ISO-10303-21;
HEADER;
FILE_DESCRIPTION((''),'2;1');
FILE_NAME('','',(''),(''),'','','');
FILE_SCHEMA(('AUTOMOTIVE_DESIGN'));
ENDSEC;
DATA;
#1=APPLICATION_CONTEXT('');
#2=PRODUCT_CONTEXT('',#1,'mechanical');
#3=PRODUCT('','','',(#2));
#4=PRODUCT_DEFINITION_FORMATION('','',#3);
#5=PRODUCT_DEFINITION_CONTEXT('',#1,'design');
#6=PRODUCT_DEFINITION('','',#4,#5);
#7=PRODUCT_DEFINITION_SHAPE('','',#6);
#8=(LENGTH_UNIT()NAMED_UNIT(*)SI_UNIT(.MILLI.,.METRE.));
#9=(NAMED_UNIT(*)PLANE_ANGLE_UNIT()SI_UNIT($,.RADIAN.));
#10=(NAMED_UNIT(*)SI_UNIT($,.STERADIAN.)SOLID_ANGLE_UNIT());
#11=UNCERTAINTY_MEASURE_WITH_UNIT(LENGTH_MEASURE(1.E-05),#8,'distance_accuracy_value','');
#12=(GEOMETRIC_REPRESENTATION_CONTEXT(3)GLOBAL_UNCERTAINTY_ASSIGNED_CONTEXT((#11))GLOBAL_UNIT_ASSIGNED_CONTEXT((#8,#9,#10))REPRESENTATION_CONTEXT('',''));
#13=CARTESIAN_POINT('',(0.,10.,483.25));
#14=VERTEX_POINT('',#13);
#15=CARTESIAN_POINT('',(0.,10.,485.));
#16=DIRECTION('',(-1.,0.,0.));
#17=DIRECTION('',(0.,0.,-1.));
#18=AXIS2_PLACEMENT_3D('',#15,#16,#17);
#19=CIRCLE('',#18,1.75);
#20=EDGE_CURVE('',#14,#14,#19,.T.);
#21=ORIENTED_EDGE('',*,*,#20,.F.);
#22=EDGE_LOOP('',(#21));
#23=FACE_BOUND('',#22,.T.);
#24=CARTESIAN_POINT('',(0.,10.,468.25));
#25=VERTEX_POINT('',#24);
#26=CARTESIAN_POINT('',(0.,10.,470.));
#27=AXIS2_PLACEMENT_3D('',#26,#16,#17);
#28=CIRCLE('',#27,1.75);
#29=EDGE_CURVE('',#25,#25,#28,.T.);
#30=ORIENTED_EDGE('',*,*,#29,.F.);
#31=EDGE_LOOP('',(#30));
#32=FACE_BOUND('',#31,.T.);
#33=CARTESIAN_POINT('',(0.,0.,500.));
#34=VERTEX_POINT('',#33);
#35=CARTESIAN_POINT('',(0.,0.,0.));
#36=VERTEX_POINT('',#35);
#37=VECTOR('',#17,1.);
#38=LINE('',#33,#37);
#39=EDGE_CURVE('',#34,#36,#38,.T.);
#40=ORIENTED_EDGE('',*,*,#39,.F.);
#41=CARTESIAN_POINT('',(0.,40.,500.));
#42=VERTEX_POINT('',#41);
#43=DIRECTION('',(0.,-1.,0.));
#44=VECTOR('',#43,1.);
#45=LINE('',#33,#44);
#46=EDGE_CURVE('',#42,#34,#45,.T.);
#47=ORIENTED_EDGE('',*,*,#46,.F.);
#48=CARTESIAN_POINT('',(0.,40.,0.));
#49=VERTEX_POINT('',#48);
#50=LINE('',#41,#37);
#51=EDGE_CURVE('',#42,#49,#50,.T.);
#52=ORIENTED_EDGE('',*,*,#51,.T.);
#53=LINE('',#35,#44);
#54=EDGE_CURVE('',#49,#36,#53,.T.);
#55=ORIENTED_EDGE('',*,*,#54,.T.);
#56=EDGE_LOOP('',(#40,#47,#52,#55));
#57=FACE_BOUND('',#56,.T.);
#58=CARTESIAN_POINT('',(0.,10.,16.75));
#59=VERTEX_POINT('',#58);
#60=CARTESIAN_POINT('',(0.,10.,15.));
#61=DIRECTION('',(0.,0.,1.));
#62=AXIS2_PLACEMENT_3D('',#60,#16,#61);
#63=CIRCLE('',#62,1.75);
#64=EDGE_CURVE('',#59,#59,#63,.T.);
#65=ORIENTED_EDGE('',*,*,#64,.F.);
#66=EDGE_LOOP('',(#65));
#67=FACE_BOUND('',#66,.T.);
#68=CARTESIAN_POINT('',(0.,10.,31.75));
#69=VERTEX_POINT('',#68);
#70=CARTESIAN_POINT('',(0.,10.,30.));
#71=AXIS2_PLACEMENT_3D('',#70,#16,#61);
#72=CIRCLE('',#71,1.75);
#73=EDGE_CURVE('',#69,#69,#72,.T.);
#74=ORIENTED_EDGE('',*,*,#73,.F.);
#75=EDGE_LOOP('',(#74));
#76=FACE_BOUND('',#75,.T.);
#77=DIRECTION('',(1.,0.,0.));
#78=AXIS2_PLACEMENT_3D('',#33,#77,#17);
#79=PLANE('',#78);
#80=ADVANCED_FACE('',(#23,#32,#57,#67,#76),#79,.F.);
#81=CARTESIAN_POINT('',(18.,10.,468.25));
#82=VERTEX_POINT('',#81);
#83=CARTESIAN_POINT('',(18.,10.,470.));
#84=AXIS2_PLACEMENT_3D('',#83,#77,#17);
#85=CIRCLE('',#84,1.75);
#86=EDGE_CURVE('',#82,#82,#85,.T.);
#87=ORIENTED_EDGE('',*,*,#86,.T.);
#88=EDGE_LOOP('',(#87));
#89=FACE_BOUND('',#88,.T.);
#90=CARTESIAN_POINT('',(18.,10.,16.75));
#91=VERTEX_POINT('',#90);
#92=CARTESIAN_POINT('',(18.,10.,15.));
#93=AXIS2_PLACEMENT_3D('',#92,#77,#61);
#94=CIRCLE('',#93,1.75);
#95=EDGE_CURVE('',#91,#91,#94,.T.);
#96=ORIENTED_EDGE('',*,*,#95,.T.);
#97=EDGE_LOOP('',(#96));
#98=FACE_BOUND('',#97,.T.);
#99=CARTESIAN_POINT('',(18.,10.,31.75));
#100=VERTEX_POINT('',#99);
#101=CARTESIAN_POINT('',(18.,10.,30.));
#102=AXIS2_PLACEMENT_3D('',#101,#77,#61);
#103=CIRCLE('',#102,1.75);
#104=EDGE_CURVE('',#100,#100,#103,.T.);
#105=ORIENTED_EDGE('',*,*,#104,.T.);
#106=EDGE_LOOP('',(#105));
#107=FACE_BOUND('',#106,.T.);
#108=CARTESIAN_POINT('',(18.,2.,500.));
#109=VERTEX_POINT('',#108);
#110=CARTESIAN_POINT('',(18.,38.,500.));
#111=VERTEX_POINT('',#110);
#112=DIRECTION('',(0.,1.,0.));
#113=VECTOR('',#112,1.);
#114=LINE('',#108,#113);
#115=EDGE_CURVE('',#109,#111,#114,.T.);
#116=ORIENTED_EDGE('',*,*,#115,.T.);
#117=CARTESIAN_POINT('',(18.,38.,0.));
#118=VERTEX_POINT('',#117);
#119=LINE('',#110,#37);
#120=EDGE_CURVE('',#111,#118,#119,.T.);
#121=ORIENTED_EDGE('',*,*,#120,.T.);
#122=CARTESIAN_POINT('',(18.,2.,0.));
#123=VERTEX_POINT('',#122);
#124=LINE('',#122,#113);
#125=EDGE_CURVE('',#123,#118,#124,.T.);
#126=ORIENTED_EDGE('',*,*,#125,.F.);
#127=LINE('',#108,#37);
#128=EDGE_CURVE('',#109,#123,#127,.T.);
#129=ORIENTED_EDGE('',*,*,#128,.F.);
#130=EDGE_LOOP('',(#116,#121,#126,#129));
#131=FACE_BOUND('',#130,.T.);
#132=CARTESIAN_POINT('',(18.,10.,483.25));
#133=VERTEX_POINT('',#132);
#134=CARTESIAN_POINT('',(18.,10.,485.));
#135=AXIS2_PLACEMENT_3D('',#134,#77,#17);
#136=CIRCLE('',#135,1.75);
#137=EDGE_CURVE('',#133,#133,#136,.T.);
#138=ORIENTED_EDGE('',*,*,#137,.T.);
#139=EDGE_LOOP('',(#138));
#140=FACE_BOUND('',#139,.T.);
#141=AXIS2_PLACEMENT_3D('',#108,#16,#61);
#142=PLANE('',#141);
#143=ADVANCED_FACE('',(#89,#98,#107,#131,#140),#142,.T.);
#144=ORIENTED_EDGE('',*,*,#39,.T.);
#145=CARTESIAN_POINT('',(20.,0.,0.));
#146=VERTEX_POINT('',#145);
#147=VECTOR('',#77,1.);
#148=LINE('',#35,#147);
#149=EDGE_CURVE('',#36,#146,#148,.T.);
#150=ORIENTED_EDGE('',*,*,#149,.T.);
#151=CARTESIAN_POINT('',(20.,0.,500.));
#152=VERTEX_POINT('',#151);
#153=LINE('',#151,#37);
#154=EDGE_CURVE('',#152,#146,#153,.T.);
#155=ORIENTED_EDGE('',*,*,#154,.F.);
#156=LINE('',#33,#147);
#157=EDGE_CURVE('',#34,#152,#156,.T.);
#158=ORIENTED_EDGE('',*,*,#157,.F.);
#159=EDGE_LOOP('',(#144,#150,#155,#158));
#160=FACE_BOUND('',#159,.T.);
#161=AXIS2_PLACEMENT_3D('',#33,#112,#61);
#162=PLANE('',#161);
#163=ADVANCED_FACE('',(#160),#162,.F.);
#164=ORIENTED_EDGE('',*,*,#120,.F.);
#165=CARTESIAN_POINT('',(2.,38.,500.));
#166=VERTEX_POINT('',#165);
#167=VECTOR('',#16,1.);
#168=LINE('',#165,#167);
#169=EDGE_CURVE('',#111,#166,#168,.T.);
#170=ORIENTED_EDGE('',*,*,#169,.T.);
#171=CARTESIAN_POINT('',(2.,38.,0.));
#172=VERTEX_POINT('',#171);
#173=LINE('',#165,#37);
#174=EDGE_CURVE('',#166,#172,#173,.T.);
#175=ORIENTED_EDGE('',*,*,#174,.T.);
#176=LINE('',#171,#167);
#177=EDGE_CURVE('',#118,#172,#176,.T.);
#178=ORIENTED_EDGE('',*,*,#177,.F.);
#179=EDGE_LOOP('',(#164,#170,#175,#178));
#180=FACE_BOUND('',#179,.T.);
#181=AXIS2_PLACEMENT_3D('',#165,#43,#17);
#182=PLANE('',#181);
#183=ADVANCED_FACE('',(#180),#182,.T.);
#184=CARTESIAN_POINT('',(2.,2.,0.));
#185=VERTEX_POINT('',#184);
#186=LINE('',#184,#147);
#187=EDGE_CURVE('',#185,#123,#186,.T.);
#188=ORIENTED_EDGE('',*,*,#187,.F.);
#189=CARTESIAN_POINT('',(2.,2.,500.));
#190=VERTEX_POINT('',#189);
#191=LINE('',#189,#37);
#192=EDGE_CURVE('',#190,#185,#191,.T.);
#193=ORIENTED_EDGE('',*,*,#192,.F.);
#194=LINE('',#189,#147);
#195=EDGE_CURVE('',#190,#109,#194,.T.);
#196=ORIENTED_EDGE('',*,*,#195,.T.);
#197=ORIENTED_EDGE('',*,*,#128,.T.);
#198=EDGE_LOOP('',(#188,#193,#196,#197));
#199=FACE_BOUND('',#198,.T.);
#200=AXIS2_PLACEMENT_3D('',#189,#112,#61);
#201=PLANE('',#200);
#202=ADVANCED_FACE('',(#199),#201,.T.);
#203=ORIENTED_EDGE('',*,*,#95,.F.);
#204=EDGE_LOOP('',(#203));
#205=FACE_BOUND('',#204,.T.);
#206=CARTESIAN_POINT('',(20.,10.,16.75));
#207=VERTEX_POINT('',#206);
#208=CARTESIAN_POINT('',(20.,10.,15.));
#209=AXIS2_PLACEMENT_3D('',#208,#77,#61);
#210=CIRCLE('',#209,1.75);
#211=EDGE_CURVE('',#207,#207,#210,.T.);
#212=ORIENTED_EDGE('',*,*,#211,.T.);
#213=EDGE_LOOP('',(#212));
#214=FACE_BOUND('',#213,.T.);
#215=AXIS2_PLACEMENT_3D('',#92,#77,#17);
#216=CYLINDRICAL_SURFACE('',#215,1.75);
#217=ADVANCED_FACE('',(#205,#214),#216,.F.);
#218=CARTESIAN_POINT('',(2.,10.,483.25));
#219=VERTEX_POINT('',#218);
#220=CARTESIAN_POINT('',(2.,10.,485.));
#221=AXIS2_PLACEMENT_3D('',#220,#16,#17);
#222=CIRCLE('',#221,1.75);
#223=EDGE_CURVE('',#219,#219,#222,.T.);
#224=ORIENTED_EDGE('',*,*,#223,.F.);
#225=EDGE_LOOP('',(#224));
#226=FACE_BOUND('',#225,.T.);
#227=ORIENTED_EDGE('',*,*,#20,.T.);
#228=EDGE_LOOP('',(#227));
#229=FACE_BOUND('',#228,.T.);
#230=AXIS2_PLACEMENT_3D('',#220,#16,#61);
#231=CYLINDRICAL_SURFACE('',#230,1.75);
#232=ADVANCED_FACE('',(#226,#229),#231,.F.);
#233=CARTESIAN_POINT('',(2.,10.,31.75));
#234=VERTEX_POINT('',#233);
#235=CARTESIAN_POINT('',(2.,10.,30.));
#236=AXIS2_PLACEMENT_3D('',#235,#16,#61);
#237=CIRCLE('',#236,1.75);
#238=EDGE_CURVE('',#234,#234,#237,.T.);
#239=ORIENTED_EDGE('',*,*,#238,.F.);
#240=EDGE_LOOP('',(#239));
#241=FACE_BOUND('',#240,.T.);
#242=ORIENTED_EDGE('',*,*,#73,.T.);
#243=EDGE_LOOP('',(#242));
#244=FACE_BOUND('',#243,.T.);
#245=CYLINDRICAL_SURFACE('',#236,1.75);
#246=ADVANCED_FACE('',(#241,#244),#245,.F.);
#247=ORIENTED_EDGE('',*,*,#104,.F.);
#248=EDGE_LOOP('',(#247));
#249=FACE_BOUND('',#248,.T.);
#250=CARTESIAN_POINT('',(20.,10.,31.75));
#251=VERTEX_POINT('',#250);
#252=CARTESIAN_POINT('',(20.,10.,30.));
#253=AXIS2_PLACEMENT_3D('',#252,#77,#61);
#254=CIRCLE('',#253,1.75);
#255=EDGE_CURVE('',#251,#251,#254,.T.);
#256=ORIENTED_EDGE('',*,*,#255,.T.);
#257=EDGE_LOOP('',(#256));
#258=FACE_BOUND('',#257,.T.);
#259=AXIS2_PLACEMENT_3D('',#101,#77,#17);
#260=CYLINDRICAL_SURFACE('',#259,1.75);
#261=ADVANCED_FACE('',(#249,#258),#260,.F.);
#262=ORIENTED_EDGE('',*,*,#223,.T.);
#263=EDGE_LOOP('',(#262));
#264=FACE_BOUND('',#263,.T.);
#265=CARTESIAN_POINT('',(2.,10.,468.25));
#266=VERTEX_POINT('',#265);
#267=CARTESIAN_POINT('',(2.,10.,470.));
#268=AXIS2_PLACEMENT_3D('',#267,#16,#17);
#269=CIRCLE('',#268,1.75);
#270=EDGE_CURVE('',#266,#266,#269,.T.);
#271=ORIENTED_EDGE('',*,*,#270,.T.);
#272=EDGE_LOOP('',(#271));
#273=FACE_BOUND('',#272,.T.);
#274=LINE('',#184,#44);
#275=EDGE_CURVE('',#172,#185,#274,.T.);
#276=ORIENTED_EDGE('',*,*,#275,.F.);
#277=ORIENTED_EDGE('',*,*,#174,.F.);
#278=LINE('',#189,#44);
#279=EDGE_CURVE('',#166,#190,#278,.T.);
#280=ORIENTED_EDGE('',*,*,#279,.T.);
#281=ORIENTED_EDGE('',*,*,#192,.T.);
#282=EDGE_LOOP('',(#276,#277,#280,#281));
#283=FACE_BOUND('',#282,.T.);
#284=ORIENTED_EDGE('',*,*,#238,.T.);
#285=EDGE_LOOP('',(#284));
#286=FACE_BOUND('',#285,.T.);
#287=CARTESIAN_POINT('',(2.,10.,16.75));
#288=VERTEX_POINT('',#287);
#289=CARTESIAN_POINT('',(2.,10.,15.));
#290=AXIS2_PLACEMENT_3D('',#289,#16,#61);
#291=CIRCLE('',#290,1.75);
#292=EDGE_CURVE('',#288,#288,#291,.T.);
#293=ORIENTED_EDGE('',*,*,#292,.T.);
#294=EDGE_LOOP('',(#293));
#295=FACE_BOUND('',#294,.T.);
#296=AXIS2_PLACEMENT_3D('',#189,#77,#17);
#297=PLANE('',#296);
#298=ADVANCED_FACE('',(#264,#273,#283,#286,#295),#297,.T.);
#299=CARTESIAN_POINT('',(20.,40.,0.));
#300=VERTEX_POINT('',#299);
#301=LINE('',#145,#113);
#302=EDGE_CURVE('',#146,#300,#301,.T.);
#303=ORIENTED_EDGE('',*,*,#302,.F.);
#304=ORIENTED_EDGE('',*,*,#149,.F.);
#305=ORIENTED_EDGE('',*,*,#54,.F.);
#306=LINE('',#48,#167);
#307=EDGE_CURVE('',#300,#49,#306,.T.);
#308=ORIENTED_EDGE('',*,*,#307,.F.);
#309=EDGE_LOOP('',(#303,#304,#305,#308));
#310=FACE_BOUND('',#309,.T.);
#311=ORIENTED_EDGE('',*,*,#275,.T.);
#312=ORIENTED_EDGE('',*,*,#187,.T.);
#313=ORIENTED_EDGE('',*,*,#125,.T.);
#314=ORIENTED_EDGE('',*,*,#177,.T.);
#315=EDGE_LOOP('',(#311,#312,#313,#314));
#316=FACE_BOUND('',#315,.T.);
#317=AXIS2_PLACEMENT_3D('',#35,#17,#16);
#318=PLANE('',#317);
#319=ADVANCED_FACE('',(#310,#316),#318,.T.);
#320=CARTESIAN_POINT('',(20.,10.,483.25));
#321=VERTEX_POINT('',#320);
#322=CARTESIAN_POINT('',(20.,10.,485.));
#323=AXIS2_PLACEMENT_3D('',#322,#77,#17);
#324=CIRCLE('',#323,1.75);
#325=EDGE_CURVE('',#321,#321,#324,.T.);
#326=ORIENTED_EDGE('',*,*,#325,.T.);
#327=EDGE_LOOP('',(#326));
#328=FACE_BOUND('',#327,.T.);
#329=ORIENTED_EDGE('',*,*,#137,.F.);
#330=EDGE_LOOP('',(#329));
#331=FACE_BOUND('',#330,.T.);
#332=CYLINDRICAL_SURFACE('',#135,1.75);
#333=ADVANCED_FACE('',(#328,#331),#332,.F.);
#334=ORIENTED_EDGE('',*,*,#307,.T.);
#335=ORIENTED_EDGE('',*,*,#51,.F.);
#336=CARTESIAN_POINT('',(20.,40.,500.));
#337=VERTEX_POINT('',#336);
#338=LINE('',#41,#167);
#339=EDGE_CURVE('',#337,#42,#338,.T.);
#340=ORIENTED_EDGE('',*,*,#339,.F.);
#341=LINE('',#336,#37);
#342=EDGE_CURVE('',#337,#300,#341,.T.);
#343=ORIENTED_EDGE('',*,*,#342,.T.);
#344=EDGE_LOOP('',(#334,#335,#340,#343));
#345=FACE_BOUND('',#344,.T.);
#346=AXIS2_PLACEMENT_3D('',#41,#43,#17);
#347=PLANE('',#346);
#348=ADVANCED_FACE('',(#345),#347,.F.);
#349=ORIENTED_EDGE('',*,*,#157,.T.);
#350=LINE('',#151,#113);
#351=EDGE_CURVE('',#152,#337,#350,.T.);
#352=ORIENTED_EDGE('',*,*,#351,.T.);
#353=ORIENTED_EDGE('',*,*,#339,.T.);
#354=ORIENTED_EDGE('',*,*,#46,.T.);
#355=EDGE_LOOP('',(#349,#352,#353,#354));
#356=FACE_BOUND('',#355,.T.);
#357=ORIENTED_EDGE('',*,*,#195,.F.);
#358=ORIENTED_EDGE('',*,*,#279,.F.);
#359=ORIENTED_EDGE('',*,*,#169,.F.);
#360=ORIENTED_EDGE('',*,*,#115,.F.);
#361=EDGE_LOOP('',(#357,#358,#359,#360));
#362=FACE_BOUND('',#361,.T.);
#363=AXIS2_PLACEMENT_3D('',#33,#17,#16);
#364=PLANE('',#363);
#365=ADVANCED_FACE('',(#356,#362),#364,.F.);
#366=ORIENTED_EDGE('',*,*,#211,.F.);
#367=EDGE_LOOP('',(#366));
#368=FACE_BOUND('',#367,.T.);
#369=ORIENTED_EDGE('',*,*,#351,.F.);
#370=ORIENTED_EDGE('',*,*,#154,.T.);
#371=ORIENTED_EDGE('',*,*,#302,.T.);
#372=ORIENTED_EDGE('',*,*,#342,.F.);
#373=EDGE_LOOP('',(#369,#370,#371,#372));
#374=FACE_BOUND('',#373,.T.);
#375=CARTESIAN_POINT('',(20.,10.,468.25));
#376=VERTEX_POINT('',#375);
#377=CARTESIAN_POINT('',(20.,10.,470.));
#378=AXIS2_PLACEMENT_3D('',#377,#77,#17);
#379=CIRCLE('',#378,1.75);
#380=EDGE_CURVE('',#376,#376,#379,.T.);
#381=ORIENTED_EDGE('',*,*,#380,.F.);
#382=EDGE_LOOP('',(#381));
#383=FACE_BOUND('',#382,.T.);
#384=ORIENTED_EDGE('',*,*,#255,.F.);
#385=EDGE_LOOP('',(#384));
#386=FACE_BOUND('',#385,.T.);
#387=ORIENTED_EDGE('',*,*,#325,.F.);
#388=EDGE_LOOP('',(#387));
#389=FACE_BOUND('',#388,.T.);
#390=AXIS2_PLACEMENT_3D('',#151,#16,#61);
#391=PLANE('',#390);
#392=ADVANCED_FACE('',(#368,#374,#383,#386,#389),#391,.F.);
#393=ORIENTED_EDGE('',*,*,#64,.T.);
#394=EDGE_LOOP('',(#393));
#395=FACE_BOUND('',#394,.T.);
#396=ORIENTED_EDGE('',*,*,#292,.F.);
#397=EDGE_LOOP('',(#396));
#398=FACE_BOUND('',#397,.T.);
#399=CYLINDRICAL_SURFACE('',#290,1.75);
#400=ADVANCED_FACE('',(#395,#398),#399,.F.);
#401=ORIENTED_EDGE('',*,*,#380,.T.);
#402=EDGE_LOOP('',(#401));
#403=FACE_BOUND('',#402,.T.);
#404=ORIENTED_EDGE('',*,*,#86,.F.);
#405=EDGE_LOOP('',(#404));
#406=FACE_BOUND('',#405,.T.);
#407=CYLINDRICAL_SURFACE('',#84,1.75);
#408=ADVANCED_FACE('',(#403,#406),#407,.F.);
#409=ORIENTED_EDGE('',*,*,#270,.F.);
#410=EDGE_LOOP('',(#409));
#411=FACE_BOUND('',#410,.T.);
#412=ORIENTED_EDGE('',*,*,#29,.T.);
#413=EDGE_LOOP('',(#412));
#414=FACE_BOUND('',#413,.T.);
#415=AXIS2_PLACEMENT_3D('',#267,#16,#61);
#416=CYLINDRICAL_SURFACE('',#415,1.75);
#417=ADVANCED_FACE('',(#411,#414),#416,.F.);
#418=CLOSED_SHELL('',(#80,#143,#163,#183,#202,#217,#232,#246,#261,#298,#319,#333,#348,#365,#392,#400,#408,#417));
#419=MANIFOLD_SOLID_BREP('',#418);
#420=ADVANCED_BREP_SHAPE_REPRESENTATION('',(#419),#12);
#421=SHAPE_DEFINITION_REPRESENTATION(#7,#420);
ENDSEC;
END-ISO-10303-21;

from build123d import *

# Parameters (mm, degrees)
ESBO_O1_W                = 20
ESBO_O1_H                = 40
ESBO_O1_W_2              = 16
ESBO_O1_H_2              = 36
RESSALTO_EXTRUS_O1_DEPTH = 500
ESBO_O2_R                = 1.75
CORTE_EXTRUS_O1_DEPTH    = 2
CORTE_EXTRUS_O2_START    = -2
ESBO_O5_R                = 1.75
CORTE_EXTRUS_O2_DEPTH    = 2


with BuildPart() as part:
    # Esboço1 → Ressalto-extrusão1 (new body)
    with BuildSketch(Plane.XY):
        with Locations((10, 20)):
            Rectangle(ESBO_O1_W, ESBO_O1_H)
        with Locations((10, 20)):
            Rectangle(ESBO_O1_W_2, ESBO_O1_H_2, mode=Mode.SUBTRACT)
    extrude(amount=RESSALTO_EXTRUS_O1_DEPTH)

    # Esboço2 → Corte-extrusão1 (cut)
    with BuildSketch(Plane.ZY):
        with Locations((15, 10)):
            Circle(ESBO_O2_R)
        with Locations((30, 10)):
            Circle(ESBO_O2_R)
        with Locations(Location((485, 10, 0), (0, 0, 180))):
            Circle(ESBO_O2_R)
        with Locations(Location((470, 10, 0), (0, 0, 180))):
            Circle(ESBO_O2_R)
    extrude(amount=-CORTE_EXTRUS_O1_DEPTH, mode=Mode.SUBTRACT)

    # Esboço5 → Corte-extrusão2 (cut)
    with BuildSketch(Plane(origin=(20, 0, 0), x_dir=(0, 0, -1), z_dir=(1, 0, 0)).offset(CORTE_EXTRUS_O2_START)):
        with Locations(Location((-15, 10, 0), (0, 0, 180))):
            Circle(ESBO_O5_R)
        with Locations(Location((-30, 10, 0), (0, 0, 180))):
            Circle(ESBO_O5_R)
        with Locations((-485, 10)):
            Circle(ESBO_O5_R)
        with Locations((-470, 10)):
            Circle(ESBO_O5_R)
    extrude(amount=CORTE_EXTRUS_O2_DEPTH, mode=Mode.SUBTRACT)


solid = part.part
